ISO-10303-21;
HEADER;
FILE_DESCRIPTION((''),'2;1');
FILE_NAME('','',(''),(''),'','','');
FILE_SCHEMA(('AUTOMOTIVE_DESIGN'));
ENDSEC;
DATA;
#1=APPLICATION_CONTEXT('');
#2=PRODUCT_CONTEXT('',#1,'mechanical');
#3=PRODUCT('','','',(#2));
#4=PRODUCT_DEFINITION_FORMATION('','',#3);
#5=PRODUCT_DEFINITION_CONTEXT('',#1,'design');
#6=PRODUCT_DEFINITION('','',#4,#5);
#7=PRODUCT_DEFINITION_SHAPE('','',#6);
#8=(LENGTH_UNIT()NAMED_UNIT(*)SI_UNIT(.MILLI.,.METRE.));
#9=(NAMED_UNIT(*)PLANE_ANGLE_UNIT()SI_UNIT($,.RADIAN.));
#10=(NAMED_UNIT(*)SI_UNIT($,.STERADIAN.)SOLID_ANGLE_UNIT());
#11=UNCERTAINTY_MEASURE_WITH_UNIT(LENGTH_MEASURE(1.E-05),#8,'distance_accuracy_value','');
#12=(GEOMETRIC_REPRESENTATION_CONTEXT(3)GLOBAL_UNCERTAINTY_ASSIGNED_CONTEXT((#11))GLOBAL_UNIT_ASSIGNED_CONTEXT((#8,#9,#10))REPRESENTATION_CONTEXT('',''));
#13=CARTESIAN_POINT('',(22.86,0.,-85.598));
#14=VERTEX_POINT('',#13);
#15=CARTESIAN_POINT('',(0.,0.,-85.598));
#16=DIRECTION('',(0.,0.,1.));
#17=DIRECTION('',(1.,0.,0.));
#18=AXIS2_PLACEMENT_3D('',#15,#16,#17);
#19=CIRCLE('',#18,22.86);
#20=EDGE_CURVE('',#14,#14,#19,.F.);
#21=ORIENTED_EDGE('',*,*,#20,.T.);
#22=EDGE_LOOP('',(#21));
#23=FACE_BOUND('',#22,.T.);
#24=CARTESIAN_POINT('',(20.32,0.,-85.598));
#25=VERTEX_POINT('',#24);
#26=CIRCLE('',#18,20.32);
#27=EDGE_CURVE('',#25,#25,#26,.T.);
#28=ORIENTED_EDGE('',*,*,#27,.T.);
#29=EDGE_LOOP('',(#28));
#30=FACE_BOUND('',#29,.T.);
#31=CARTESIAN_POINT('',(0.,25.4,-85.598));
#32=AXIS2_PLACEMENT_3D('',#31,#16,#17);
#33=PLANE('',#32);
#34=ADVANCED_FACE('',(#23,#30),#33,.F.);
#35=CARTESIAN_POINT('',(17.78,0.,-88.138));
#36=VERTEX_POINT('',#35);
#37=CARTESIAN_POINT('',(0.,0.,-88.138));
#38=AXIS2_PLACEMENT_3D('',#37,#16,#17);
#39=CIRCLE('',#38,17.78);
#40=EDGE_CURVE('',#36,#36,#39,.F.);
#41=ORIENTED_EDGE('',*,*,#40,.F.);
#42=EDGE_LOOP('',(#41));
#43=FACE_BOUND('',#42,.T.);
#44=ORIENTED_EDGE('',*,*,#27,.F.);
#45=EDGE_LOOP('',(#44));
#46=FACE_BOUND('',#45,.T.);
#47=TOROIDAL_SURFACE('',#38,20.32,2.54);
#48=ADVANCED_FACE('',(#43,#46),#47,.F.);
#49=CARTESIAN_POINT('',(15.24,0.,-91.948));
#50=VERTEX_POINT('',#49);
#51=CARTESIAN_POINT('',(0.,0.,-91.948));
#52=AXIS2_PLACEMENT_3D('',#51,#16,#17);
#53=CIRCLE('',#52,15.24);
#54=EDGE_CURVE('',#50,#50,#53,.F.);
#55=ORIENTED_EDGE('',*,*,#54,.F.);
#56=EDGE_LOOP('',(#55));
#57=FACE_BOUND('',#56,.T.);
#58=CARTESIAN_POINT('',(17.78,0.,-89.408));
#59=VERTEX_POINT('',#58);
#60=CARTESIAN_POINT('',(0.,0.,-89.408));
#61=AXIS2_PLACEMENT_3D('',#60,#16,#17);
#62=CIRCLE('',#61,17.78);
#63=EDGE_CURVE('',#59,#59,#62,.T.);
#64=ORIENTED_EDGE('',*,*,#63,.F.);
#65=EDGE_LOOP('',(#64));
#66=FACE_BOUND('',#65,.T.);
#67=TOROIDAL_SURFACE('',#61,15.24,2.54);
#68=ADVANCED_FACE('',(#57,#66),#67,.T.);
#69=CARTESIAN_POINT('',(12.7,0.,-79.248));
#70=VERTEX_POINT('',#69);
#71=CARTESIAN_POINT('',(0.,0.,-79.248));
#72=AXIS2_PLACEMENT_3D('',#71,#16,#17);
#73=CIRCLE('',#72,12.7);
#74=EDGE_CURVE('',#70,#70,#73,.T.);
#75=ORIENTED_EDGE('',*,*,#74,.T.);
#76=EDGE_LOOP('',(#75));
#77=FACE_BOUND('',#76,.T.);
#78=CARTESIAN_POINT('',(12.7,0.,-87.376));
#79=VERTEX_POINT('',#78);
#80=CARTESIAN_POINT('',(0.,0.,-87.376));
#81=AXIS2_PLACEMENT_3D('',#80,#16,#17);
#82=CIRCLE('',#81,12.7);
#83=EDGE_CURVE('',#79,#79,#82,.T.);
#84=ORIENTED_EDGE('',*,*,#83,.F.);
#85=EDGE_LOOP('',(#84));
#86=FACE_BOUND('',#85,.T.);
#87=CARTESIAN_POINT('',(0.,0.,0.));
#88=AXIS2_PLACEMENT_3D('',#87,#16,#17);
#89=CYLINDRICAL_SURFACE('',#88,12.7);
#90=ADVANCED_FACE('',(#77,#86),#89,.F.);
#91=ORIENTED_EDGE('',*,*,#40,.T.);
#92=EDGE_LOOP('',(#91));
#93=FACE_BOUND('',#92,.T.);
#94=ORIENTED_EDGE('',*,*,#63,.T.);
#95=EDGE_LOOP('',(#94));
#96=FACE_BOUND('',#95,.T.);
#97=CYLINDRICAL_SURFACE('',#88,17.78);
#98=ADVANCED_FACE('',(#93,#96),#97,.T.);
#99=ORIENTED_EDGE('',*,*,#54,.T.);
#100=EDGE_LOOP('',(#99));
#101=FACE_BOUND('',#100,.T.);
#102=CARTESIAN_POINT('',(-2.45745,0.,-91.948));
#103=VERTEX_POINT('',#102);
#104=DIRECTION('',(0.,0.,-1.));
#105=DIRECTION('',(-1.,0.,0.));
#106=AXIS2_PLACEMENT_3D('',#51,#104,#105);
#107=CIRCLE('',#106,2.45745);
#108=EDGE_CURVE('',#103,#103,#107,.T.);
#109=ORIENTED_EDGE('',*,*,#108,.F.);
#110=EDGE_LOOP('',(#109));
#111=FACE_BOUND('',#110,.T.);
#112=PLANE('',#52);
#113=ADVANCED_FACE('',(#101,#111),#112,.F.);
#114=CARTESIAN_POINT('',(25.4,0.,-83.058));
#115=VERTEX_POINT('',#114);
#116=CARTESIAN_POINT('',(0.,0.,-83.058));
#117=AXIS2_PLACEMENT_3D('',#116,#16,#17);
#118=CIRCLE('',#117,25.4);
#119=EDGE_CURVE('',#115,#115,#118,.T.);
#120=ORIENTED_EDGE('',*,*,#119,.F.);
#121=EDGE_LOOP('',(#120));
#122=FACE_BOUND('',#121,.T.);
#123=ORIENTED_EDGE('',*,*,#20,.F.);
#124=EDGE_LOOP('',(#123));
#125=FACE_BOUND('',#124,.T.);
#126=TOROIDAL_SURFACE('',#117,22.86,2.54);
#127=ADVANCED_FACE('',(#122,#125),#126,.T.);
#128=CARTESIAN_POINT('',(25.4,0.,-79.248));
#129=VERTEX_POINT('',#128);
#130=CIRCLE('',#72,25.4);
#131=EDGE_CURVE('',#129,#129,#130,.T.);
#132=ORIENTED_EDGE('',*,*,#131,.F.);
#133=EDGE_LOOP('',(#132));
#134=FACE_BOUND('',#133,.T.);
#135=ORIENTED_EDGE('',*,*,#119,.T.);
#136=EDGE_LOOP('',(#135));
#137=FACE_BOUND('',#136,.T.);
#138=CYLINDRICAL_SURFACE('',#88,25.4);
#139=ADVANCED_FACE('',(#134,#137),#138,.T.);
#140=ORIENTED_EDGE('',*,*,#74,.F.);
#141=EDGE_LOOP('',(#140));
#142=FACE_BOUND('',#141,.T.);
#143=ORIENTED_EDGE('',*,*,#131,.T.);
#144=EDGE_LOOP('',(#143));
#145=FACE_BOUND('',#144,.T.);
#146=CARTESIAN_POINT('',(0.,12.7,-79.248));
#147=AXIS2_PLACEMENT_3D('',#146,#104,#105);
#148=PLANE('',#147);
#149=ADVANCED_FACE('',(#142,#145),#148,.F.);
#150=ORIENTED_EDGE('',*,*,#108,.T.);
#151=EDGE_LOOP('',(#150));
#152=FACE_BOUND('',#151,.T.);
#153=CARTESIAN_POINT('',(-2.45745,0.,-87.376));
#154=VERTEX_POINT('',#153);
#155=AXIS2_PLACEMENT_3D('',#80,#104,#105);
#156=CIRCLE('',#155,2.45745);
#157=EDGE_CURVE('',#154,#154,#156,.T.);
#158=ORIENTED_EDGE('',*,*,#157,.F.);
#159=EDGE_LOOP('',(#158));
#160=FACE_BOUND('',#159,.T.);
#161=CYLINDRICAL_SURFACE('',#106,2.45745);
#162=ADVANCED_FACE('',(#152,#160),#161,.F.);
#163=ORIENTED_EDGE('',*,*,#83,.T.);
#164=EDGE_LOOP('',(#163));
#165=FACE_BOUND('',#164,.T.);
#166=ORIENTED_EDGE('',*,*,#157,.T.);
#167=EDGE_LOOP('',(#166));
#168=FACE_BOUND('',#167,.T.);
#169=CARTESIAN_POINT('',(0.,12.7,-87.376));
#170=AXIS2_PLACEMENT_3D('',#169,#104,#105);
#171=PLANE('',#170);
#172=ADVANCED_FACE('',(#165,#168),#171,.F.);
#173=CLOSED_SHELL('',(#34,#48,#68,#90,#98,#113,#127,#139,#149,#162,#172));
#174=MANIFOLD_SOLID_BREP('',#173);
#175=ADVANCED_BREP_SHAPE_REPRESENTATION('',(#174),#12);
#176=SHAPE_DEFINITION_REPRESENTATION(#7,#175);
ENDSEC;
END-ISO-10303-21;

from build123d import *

# Parameters (mm, degrees)
FILLET1_R                        = 2.54
F_10_0_1935_DIAMETER_HOLE1_D     = 4.9149
F_10_0_1935_DIAMETER_HOLE1_DEPTH = 10.16
F_10_0_1935_DIAMETER_HOLE1_TIP   = 1.476584928


with BuildPart() as part:
    # Sketch1 → Revolve1 (revolve)
    with BuildSketch(Plane(origin=(0, 0, 0), x_dir=(0, 0, -1), z_dir=(1, 0, 0)), mode=Mode.PRIVATE) as revolve1_sk:
        Polygon((79.248, 12.7), (79.248, 25.4), (85.598, 25.4), (85.598, 17.78), (91.948, 17.78), (91.948, 0), (87.376, 0), (87.376, 12.7), align=None)
    revolve(revolve1_sk.sketch.rotate(Axis((0, 0, 0), (0, 0, -1)), 90), axis=Axis((0, 0, 0), (0, 0, -1)))

    # Fillet1
    fillet1_edges = [part.edges().sort_by_distance(p)[0] for p in [
        (-17.78, 0, -91.948),
        (-17.78, 0, -85.598),
        (-25.4, 0, -85.598),
    ]]
    fillet(fillet1_edges, radius=FILLET1_R)

    # #10 (0.1935) Diameter Hole1
    with Locations(Plane(origin=(0, 0, -91.948), x_dir=(-1, 0, 0), z_dir=(0, 0, -1))):
        with Locations((0, 0)):
            Hole(F_10_0_1935_DIAMETER_HOLE1_D / 2, depth=F_10_0_1935_DIAMETER_HOLE1_DEPTH)
            with Locations((0, 0, -(F_10_0_1935_DIAMETER_HOLE1_DEPTH + F_10_0_1935_DIAMETER_HOLE1_TIP / 2))):  # 118° drill point
                Cone(0, F_10_0_1935_DIAMETER_HOLE1_D / 2, F_10_0_1935_DIAMETER_HOLE1_TIP, mode=Mode.SUBTRACT)


solid = part.part
